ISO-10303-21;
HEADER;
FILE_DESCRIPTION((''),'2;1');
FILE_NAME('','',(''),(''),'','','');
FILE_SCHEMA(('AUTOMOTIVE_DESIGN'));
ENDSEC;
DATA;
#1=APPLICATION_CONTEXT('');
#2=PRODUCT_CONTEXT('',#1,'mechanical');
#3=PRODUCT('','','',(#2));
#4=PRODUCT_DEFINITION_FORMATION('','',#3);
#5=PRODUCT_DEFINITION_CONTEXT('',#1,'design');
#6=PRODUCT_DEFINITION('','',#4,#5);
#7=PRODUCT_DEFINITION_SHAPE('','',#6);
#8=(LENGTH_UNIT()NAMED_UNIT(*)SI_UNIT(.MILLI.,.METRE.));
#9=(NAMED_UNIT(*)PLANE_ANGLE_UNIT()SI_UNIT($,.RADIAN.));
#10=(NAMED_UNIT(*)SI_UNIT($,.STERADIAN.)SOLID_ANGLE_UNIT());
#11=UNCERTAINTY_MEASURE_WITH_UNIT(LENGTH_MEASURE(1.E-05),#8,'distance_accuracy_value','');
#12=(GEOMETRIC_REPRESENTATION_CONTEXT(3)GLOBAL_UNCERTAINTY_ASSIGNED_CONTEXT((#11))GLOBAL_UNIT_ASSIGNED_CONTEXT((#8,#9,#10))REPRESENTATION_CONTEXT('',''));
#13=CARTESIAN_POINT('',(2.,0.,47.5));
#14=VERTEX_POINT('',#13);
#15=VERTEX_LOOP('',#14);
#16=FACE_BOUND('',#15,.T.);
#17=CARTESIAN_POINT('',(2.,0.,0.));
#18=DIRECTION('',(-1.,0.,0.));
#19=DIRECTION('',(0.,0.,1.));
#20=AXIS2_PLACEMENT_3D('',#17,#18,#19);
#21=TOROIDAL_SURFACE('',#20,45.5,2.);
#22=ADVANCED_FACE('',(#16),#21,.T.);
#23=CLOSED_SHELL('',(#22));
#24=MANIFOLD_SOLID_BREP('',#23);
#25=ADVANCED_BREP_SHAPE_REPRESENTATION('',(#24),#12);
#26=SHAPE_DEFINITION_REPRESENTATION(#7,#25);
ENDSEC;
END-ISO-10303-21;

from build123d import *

# Parameters (mm, degrees)
ESQUISSE1_R = 2


with BuildPart() as part:
    # Esquisse1 → Base-Révolution (revolve)
    with BuildSketch(Plane.XY, mode=Mode.PRIVATE) as base_r_volution_sk:
        with Locations((2, 45.5)):
            Circle(ESQUISSE1_R)
    revolve(base_r_volution_sk.sketch.rotate(Axis((0, 0, 0), (1, 0, 0)), 90), axis=Axis((0, 0, 0), (1, 0, 0)))


solid = part.part
